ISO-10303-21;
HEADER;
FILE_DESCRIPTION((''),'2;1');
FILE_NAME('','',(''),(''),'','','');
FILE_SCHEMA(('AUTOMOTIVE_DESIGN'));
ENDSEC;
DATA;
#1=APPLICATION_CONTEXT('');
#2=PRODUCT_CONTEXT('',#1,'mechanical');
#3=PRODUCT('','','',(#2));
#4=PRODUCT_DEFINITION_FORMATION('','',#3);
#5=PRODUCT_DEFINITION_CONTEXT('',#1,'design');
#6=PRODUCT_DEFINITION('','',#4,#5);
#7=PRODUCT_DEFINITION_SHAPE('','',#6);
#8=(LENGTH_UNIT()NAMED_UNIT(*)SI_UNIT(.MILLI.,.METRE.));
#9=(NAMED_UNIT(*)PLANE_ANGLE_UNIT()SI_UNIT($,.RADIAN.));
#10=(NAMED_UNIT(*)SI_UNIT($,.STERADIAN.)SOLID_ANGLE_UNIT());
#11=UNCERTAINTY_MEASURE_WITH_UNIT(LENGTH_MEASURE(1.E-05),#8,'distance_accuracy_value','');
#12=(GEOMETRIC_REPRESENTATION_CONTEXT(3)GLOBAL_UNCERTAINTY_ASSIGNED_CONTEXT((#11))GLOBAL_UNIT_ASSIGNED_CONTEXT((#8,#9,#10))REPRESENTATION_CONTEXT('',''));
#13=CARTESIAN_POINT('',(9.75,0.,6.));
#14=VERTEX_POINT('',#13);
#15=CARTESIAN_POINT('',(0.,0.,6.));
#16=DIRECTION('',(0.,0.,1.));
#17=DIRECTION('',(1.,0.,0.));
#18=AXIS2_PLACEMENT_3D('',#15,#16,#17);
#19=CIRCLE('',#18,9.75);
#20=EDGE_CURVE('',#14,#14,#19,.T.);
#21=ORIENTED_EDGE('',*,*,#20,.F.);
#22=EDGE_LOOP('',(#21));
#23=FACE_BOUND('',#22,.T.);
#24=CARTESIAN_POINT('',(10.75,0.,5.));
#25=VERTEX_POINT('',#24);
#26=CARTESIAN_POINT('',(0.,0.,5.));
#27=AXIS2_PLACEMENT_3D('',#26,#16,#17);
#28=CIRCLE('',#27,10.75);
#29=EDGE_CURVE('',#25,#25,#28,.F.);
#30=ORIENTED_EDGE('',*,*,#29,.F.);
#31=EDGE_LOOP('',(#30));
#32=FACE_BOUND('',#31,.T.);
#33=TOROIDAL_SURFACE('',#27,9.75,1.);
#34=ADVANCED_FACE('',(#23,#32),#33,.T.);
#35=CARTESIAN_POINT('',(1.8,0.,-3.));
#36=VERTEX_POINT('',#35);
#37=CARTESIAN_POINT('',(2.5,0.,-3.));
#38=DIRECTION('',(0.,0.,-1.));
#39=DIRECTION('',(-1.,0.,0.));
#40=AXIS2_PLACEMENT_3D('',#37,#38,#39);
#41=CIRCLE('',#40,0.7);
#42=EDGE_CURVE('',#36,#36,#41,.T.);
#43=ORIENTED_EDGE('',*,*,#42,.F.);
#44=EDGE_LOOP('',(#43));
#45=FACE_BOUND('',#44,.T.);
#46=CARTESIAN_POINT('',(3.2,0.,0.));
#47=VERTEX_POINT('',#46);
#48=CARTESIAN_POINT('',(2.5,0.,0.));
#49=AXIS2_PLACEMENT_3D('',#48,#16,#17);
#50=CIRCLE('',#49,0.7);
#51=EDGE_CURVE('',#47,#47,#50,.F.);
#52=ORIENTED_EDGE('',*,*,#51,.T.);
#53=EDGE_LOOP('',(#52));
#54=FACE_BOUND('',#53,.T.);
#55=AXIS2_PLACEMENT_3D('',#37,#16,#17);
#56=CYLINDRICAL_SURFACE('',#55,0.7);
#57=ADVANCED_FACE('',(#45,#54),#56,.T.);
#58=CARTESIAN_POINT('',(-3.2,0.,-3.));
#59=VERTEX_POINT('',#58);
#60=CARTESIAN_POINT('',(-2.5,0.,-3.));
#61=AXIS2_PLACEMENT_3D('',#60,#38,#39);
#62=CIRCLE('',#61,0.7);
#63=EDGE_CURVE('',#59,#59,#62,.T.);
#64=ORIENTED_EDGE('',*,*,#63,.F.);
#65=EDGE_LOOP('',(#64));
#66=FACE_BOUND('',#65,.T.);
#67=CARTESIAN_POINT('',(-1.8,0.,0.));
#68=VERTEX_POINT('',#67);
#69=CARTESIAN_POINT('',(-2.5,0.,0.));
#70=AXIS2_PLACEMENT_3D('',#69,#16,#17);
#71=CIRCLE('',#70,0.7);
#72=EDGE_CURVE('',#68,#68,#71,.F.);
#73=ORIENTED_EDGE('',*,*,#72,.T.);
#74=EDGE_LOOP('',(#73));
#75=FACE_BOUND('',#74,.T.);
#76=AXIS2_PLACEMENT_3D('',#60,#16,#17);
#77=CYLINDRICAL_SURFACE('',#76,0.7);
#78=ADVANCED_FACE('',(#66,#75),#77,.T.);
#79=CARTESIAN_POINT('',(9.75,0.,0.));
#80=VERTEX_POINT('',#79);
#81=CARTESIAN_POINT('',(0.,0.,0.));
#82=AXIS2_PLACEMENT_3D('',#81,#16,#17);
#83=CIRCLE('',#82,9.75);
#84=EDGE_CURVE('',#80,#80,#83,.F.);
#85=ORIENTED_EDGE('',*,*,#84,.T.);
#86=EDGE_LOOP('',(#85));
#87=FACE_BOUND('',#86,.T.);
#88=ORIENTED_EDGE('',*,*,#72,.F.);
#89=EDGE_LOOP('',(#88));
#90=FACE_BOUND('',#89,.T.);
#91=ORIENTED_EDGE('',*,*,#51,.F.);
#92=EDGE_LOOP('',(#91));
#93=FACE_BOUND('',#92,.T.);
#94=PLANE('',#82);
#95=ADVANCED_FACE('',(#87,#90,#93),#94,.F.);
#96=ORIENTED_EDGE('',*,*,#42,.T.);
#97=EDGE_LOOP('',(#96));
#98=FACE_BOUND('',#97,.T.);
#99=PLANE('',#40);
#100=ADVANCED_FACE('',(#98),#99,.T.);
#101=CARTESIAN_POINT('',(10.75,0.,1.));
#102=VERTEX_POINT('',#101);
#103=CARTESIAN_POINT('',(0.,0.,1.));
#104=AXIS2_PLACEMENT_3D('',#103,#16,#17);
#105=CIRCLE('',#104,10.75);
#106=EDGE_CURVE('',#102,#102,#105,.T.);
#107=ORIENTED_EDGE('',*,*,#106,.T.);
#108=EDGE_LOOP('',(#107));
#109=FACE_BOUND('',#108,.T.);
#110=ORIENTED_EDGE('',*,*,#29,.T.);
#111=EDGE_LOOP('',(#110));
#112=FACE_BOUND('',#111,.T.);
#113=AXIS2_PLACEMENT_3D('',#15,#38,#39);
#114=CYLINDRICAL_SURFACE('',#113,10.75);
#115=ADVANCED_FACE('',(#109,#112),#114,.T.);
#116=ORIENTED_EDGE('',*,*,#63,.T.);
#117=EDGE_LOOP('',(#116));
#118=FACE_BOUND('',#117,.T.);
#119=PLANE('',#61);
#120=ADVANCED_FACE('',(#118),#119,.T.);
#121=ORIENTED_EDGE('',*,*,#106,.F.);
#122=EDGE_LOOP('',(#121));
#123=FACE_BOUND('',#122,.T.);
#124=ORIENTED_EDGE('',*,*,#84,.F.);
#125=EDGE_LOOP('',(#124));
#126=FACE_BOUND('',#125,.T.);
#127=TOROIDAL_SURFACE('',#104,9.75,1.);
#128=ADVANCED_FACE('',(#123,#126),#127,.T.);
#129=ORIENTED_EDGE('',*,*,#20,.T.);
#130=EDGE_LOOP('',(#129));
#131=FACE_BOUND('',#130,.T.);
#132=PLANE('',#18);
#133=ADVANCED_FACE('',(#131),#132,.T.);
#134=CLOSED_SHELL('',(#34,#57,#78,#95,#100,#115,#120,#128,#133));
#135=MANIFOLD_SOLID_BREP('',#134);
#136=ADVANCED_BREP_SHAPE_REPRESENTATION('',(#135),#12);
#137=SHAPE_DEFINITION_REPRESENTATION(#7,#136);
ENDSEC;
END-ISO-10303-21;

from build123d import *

# Parameters (mm, degrees)
ESQUISSE1_R        = 10.75
BOSS_EXTRU_1_DEPTH = 6
ESQUISSE3_R        = 0.7
BOSS_EXTRU_2_DEPTH = 3
CONG_1_R           = 1


with BuildPart() as part:
    # Esquisse1 → Boss.-Extru.1 (new body)
    with BuildSketch(Plane.XY):
        Circle(ESQUISSE1_R)
    extrude(amount=BOSS_EXTRU_1_DEPTH)

    # Esquisse3 → Boss.-Extru.2 (add)
    with BuildSketch(Plane(origin=(0, 0, 0), x_dir=(-1, 0, 0), z_dir=(0, 0, -1))):
        with Locations(Location((-2.5, 0, 0), (0, 0, 180))):
            Circle(ESQUISSE3_R)
        with Locations(Location((2.5, 0, 0), (0, 0, 180))):
            Circle(ESQUISSE3_R)
    extrude(amount=BOSS_EXTRU_2_DEPTH)

    # Congé1
    cong_1_edges = [part.edges().sort_by_distance(p)[0] for p in [
        (-10.75, 0, 0),
        (-10.75, 0, 6),
    ]]
    fillet(cong_1_edges, radius=CONG_1_R)


solid = part.part
